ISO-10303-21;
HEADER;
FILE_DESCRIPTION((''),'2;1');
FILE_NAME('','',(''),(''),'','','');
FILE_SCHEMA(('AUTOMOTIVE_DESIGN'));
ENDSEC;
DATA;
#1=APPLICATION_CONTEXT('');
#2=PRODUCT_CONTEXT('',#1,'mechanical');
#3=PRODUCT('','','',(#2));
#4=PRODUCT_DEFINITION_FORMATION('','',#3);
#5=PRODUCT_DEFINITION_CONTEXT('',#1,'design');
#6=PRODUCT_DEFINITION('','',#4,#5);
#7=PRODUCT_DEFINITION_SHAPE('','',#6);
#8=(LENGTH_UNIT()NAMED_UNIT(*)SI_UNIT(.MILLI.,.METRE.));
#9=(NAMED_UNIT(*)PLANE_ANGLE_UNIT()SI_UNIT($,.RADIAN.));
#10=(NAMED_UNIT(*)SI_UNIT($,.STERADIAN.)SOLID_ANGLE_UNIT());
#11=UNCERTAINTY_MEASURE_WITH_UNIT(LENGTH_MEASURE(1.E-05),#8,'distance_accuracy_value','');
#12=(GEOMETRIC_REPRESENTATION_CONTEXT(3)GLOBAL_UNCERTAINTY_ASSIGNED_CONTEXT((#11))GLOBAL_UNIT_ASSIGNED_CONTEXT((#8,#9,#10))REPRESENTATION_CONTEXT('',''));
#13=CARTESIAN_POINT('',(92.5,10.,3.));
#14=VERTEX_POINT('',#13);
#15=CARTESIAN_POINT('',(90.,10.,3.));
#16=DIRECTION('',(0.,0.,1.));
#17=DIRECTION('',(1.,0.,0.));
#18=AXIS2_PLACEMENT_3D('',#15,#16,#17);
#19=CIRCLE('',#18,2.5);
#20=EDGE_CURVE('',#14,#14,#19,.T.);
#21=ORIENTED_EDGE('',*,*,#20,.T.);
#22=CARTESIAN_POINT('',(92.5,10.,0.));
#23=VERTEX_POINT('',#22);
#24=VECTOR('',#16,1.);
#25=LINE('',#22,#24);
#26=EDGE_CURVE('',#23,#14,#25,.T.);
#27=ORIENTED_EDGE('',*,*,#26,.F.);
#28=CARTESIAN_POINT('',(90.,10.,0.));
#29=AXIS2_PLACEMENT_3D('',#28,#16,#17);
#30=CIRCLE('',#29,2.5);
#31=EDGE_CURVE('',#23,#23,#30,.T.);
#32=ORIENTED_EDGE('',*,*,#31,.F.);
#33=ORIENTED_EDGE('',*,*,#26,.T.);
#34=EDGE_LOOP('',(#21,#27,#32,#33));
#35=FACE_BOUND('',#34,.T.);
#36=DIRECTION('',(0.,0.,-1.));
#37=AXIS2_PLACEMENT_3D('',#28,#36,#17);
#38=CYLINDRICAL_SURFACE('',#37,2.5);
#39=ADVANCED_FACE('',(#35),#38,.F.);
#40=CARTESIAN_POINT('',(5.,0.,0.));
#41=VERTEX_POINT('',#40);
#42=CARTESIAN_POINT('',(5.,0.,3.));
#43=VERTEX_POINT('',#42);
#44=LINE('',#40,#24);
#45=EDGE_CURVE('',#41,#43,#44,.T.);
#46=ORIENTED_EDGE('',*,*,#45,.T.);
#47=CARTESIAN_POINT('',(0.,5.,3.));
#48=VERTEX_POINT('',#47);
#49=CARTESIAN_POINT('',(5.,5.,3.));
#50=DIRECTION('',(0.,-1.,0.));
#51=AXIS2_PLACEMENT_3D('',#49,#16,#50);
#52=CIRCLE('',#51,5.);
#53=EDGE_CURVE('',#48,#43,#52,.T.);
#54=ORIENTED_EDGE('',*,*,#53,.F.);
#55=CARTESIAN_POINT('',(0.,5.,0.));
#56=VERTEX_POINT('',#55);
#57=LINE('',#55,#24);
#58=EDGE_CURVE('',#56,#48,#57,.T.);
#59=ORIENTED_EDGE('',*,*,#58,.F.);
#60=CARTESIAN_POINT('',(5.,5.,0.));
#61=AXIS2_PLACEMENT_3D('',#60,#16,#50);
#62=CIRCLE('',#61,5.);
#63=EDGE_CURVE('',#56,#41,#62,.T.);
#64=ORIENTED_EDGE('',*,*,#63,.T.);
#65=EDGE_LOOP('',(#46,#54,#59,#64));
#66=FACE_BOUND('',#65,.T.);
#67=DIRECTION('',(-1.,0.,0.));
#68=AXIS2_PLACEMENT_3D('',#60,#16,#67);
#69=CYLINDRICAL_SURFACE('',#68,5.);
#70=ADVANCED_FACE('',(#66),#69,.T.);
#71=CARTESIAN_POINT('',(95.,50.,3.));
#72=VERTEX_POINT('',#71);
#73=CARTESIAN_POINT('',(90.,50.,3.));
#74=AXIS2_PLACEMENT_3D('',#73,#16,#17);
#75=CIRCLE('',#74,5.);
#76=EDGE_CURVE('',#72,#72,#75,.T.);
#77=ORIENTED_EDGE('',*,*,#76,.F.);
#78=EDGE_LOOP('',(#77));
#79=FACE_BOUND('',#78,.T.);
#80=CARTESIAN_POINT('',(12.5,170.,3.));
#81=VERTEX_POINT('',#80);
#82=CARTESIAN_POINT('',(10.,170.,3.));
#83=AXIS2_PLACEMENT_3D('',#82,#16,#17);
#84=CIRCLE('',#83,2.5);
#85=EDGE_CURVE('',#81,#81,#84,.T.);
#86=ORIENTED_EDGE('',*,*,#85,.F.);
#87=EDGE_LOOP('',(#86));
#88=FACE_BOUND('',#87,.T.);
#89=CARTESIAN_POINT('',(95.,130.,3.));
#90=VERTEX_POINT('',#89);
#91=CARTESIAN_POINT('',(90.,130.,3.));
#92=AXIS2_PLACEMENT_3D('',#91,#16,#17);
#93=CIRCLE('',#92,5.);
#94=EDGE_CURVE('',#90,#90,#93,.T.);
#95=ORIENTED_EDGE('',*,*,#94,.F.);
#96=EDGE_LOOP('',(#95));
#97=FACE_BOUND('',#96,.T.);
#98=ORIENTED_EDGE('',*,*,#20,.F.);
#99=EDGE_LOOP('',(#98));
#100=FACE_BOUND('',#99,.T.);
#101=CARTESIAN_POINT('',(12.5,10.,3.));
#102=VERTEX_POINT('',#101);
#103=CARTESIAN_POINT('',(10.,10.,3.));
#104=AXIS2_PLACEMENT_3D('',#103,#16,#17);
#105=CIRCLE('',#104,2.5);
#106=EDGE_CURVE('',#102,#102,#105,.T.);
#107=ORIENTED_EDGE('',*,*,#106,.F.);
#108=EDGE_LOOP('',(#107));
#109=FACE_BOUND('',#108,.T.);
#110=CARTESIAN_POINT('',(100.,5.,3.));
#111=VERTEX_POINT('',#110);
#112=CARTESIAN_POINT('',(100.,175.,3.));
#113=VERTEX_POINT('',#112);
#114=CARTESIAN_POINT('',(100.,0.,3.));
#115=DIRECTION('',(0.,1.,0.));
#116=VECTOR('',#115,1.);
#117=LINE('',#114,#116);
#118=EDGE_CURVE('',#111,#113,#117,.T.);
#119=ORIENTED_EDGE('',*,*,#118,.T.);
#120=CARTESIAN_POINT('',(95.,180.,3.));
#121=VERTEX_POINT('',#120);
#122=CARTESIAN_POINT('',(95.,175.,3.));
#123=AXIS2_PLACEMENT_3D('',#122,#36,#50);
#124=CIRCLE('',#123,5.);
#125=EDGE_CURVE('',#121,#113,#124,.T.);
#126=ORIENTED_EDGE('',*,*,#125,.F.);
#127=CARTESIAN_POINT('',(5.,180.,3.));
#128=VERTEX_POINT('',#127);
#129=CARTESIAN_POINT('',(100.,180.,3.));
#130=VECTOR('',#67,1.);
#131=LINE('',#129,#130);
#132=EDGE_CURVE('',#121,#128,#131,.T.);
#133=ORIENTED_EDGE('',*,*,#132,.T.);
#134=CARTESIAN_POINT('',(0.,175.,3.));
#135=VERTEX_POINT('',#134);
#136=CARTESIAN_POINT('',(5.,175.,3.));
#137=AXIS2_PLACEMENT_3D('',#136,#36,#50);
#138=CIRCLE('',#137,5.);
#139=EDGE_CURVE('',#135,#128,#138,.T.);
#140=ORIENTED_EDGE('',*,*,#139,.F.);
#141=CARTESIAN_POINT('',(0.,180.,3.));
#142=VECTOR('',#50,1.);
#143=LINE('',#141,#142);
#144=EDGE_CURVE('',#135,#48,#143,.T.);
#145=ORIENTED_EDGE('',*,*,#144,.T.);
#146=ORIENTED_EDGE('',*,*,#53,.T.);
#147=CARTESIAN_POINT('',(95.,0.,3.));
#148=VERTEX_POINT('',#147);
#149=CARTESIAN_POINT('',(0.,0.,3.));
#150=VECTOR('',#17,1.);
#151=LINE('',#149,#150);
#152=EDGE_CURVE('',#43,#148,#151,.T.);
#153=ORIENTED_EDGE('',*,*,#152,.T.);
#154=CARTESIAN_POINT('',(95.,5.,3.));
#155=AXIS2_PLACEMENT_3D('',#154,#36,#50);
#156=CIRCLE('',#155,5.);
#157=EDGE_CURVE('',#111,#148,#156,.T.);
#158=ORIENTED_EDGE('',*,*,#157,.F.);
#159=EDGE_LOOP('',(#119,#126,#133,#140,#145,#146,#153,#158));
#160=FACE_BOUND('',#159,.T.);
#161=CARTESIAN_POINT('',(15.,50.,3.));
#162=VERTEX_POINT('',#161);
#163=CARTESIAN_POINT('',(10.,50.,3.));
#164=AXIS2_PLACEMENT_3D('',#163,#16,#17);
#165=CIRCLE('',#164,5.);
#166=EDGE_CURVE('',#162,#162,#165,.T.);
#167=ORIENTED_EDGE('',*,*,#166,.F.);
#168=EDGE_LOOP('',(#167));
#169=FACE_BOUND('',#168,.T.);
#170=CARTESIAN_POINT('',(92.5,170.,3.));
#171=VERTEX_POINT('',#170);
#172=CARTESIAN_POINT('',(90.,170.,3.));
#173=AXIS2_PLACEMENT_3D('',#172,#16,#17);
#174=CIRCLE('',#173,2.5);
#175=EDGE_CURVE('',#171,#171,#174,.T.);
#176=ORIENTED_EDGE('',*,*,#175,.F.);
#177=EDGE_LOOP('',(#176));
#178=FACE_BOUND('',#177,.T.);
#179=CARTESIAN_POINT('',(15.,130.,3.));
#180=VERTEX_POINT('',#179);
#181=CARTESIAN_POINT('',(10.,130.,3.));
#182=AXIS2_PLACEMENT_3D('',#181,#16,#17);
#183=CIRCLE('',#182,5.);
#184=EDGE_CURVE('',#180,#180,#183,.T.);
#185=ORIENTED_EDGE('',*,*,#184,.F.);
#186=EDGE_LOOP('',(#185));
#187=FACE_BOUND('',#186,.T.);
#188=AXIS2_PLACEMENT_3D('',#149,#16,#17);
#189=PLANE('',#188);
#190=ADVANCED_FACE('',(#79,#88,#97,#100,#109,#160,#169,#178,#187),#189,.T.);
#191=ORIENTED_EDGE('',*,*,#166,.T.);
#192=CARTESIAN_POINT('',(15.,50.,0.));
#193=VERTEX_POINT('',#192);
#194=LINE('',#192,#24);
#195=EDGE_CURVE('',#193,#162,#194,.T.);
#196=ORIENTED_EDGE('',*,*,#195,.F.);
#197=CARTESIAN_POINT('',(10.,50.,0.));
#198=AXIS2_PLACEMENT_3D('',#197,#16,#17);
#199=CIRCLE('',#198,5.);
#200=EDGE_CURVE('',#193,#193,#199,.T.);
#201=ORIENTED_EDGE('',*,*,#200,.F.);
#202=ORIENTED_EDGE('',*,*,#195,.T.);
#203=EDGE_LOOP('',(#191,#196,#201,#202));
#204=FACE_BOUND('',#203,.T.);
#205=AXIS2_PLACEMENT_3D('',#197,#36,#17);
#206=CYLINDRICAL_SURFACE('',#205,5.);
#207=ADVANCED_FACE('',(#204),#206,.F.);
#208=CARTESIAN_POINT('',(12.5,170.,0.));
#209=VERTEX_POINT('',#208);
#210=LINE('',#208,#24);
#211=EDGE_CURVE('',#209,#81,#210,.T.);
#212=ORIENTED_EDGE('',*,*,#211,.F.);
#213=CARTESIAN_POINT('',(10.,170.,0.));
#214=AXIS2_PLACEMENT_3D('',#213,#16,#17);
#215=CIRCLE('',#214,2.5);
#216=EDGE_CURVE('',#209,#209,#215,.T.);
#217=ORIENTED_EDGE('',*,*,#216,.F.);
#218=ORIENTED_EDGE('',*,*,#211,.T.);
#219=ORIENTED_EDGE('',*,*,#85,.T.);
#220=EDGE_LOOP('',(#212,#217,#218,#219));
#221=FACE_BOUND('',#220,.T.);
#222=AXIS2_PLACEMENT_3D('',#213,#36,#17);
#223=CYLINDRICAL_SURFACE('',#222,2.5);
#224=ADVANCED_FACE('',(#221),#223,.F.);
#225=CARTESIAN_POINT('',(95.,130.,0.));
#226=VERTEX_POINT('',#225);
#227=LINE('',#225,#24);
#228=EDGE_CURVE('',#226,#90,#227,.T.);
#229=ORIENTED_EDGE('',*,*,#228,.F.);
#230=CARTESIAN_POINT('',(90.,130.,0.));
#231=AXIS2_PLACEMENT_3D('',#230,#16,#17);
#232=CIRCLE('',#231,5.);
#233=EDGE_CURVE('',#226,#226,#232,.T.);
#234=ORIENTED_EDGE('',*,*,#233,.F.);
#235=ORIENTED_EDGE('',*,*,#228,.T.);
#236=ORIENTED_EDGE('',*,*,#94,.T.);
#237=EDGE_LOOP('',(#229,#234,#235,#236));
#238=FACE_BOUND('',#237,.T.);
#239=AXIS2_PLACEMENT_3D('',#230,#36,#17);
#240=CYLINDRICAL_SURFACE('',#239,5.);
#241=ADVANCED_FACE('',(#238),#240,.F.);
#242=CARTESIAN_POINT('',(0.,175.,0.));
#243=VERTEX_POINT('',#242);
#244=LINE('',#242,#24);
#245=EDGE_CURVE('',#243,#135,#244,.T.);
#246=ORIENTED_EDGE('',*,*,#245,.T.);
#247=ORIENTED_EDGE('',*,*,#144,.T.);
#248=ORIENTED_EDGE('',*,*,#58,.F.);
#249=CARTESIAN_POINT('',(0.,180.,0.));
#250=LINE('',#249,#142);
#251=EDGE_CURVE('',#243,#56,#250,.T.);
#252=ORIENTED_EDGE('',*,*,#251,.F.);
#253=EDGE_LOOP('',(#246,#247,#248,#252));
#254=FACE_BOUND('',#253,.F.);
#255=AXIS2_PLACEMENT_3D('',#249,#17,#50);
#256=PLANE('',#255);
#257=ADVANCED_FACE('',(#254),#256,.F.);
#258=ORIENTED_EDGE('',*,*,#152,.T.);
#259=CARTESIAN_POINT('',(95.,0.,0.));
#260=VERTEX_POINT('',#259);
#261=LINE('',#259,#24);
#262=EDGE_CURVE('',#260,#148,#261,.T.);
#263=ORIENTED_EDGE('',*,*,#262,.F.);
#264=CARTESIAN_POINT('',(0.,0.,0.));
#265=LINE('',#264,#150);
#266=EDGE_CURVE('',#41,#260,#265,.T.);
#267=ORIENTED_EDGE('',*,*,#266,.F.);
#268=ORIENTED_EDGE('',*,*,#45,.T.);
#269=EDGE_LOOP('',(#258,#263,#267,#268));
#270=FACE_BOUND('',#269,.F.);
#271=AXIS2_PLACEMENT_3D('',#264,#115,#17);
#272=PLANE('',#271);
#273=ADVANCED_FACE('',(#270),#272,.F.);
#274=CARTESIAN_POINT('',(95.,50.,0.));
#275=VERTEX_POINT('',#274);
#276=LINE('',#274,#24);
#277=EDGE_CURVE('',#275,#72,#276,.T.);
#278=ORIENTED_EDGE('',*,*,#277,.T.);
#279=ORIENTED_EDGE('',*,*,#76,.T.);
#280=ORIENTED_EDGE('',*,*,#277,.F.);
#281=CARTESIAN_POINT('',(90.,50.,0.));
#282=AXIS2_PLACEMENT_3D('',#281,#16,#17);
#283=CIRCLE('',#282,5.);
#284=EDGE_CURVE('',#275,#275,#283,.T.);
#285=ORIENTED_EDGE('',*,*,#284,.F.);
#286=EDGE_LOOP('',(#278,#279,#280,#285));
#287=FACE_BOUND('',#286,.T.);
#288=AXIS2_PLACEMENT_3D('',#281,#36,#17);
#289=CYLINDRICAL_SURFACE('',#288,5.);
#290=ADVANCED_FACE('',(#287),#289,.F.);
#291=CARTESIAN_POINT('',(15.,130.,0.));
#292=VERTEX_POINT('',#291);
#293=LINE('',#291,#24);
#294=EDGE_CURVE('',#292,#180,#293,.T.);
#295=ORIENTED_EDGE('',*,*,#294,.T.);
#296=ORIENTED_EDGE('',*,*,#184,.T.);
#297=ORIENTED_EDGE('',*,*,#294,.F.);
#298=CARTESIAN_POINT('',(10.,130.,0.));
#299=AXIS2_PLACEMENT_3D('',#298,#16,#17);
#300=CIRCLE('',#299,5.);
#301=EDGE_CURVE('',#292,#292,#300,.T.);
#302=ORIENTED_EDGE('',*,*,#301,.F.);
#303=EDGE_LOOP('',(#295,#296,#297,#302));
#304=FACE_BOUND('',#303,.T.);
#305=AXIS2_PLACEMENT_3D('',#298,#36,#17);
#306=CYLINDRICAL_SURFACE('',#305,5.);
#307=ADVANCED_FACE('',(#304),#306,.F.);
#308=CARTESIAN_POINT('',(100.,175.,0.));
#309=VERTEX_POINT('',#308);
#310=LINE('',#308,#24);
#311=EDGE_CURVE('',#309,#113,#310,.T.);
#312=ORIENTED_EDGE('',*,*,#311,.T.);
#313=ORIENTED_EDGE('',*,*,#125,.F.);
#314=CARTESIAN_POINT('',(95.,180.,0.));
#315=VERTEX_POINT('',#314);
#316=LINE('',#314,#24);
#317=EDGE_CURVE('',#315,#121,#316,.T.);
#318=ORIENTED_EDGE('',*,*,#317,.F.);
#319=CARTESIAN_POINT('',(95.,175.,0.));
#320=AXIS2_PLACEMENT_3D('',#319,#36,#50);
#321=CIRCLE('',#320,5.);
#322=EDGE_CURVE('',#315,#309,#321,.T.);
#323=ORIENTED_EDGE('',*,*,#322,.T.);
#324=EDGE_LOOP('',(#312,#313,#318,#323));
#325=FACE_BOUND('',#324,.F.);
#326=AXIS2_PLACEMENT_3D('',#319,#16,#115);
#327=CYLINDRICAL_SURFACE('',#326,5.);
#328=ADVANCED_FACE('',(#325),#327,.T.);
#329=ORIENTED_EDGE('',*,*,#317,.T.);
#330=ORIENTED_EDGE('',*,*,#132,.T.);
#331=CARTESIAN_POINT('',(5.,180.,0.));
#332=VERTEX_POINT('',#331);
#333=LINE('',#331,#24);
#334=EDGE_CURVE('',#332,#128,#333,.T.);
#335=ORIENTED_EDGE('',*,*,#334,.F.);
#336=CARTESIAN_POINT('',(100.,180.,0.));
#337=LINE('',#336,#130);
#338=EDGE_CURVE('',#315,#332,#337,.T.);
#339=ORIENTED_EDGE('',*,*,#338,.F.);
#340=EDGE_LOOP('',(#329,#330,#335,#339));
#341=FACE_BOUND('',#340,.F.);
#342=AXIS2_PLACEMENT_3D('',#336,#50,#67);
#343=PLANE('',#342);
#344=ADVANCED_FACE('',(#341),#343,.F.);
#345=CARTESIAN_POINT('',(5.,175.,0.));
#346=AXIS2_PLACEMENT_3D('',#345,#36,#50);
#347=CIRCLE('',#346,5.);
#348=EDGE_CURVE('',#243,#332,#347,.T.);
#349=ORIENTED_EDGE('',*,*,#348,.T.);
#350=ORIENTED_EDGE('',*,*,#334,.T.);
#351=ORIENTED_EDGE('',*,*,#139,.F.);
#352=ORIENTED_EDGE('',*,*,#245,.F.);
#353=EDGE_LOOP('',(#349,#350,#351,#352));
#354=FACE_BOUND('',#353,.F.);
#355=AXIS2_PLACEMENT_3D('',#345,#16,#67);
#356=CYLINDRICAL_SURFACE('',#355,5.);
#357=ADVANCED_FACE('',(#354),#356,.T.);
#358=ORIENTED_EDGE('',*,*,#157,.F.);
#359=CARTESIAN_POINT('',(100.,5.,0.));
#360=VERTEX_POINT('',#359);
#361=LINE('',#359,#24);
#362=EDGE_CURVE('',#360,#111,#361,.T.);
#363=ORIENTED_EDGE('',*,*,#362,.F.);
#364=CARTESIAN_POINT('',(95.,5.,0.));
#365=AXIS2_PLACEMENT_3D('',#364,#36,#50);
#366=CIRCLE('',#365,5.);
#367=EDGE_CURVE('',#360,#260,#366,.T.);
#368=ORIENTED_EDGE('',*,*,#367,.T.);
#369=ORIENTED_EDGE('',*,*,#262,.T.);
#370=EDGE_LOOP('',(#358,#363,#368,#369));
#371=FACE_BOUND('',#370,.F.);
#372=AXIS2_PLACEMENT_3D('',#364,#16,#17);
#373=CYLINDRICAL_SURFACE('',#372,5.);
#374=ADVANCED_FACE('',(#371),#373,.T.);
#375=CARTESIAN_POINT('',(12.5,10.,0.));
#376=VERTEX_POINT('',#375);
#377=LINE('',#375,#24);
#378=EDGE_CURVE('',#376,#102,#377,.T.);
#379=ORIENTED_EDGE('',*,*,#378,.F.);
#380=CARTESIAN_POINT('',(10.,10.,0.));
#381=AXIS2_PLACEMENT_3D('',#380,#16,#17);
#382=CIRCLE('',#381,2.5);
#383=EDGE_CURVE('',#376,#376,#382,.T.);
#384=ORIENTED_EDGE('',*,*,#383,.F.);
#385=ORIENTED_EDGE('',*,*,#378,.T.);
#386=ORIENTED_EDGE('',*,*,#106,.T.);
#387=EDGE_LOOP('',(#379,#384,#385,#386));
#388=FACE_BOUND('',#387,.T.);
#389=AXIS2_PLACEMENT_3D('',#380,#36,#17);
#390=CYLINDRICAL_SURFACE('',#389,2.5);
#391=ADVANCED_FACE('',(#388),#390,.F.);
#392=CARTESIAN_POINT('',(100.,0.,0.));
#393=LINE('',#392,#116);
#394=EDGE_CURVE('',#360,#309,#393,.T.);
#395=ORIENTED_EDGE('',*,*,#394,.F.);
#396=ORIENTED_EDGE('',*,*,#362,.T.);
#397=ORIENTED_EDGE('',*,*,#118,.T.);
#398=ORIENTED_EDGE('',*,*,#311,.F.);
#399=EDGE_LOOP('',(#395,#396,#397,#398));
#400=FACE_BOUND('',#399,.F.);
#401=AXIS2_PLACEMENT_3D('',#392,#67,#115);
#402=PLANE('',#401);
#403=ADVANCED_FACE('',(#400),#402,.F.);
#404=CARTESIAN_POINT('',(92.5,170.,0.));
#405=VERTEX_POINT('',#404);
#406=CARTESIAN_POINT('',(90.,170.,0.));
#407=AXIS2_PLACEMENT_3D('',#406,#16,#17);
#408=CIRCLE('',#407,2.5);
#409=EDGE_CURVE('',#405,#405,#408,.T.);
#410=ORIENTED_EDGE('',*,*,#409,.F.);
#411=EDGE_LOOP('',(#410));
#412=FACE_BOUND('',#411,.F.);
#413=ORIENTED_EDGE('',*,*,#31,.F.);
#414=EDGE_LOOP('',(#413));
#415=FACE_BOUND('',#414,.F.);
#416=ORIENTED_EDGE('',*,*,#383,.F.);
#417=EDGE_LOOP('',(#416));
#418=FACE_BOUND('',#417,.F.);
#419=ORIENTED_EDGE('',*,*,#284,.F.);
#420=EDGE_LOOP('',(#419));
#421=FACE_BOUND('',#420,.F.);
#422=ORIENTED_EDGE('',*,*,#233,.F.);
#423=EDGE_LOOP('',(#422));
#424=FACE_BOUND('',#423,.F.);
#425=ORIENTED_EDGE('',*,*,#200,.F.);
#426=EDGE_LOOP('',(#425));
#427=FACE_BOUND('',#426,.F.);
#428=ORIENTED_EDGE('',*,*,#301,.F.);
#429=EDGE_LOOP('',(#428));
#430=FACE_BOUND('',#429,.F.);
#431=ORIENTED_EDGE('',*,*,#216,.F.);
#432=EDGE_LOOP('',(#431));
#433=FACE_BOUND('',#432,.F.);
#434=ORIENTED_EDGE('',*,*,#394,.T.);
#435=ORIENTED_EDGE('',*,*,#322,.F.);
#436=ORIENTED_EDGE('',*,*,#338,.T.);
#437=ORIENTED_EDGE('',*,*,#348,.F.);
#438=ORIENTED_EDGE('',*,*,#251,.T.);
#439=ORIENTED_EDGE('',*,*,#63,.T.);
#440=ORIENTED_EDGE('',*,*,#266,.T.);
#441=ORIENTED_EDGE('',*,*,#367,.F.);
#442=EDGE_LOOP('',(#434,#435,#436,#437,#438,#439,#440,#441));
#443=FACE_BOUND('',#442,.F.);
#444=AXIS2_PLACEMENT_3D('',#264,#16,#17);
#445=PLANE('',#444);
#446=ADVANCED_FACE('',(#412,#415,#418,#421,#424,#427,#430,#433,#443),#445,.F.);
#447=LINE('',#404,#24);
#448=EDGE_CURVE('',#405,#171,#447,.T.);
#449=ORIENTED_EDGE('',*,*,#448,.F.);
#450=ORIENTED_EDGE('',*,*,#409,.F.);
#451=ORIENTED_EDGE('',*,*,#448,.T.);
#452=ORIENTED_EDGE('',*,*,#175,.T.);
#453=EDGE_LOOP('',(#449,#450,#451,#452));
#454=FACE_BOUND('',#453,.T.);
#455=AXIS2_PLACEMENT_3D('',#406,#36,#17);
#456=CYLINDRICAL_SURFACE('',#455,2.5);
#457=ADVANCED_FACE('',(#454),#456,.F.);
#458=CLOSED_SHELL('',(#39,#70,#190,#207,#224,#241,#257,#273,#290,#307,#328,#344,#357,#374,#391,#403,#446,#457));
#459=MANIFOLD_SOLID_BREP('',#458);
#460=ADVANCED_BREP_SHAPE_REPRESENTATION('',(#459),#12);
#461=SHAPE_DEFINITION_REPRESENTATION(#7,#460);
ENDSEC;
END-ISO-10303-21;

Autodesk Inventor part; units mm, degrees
ref_plane "YZ Plane" through (0, 0, 0) normal (1, 0, 0) x (0, 1, 0)
ref_plane "XZ Plane" through (0, 0, 0) normal (0, 1, 0) x (-1, 0, 0)
ref_plane "XY Plane" through (0, 0, 0) normal (0, 0, 1) x (1, 0, 0)
sketch "スケッチ1" plane through (0, 0, 0) normal (0, 0, 1) x (1, 0, 0)
  line L0 (0, 0) -> (100, 0)
  line L1 (100, 0) -> (100, 180)
  line L2 (100, 180) -> (0, 180)
  line L3 (0, 180) -> (0, 0)
  line L4 (0, 10) -> (100, 10) construction
  circle A0 centre (10, 10) radius 2.5
  circle A1 centre (90, 10) radius 2.5
  circle A2 centre (10, 130) radius 5
  circle A3 centre (10, 50) radius 5
  circle A4 centre (90, 130) radius 5
  circle A5 centre (90, 50) radius 5
  line L5 (10, 130) -> (10, 50) construction
  line L6 (10, 50) -> (90, 50) construction
  line L7 (90, 50) -> (90, 130) construction
  line L8 (90, 130) -> (10, 130) construction
  line L9 (0, 90) -> (100, 90) construction
  circle A6 centre (10, 170) radius 2.5
  circle A7 centre (90, 170) radius 2.5
  dimension "d0" = 5
  dimension "d1" = 10
  dimension "d2" = 10
  dimension "d3" = 10
  dimension "d4" = 100
  dimension "d5" = 180
  dimension "d12" = 10
  dimension "d13" = 10
  dimension "d15" = 10
  dimension "d21" = 80
  dimension "d23" = 50
extrude "押し出し1" add sketch "スケッチ1" along normal blind 3
fillet "フィレット1" radius 5 4 edges at (100, 180, 1.5) (0, 180, 1.5) (100, 0, 1.5) (0, 0, 1.5)
properties part number "LRFマウント"
